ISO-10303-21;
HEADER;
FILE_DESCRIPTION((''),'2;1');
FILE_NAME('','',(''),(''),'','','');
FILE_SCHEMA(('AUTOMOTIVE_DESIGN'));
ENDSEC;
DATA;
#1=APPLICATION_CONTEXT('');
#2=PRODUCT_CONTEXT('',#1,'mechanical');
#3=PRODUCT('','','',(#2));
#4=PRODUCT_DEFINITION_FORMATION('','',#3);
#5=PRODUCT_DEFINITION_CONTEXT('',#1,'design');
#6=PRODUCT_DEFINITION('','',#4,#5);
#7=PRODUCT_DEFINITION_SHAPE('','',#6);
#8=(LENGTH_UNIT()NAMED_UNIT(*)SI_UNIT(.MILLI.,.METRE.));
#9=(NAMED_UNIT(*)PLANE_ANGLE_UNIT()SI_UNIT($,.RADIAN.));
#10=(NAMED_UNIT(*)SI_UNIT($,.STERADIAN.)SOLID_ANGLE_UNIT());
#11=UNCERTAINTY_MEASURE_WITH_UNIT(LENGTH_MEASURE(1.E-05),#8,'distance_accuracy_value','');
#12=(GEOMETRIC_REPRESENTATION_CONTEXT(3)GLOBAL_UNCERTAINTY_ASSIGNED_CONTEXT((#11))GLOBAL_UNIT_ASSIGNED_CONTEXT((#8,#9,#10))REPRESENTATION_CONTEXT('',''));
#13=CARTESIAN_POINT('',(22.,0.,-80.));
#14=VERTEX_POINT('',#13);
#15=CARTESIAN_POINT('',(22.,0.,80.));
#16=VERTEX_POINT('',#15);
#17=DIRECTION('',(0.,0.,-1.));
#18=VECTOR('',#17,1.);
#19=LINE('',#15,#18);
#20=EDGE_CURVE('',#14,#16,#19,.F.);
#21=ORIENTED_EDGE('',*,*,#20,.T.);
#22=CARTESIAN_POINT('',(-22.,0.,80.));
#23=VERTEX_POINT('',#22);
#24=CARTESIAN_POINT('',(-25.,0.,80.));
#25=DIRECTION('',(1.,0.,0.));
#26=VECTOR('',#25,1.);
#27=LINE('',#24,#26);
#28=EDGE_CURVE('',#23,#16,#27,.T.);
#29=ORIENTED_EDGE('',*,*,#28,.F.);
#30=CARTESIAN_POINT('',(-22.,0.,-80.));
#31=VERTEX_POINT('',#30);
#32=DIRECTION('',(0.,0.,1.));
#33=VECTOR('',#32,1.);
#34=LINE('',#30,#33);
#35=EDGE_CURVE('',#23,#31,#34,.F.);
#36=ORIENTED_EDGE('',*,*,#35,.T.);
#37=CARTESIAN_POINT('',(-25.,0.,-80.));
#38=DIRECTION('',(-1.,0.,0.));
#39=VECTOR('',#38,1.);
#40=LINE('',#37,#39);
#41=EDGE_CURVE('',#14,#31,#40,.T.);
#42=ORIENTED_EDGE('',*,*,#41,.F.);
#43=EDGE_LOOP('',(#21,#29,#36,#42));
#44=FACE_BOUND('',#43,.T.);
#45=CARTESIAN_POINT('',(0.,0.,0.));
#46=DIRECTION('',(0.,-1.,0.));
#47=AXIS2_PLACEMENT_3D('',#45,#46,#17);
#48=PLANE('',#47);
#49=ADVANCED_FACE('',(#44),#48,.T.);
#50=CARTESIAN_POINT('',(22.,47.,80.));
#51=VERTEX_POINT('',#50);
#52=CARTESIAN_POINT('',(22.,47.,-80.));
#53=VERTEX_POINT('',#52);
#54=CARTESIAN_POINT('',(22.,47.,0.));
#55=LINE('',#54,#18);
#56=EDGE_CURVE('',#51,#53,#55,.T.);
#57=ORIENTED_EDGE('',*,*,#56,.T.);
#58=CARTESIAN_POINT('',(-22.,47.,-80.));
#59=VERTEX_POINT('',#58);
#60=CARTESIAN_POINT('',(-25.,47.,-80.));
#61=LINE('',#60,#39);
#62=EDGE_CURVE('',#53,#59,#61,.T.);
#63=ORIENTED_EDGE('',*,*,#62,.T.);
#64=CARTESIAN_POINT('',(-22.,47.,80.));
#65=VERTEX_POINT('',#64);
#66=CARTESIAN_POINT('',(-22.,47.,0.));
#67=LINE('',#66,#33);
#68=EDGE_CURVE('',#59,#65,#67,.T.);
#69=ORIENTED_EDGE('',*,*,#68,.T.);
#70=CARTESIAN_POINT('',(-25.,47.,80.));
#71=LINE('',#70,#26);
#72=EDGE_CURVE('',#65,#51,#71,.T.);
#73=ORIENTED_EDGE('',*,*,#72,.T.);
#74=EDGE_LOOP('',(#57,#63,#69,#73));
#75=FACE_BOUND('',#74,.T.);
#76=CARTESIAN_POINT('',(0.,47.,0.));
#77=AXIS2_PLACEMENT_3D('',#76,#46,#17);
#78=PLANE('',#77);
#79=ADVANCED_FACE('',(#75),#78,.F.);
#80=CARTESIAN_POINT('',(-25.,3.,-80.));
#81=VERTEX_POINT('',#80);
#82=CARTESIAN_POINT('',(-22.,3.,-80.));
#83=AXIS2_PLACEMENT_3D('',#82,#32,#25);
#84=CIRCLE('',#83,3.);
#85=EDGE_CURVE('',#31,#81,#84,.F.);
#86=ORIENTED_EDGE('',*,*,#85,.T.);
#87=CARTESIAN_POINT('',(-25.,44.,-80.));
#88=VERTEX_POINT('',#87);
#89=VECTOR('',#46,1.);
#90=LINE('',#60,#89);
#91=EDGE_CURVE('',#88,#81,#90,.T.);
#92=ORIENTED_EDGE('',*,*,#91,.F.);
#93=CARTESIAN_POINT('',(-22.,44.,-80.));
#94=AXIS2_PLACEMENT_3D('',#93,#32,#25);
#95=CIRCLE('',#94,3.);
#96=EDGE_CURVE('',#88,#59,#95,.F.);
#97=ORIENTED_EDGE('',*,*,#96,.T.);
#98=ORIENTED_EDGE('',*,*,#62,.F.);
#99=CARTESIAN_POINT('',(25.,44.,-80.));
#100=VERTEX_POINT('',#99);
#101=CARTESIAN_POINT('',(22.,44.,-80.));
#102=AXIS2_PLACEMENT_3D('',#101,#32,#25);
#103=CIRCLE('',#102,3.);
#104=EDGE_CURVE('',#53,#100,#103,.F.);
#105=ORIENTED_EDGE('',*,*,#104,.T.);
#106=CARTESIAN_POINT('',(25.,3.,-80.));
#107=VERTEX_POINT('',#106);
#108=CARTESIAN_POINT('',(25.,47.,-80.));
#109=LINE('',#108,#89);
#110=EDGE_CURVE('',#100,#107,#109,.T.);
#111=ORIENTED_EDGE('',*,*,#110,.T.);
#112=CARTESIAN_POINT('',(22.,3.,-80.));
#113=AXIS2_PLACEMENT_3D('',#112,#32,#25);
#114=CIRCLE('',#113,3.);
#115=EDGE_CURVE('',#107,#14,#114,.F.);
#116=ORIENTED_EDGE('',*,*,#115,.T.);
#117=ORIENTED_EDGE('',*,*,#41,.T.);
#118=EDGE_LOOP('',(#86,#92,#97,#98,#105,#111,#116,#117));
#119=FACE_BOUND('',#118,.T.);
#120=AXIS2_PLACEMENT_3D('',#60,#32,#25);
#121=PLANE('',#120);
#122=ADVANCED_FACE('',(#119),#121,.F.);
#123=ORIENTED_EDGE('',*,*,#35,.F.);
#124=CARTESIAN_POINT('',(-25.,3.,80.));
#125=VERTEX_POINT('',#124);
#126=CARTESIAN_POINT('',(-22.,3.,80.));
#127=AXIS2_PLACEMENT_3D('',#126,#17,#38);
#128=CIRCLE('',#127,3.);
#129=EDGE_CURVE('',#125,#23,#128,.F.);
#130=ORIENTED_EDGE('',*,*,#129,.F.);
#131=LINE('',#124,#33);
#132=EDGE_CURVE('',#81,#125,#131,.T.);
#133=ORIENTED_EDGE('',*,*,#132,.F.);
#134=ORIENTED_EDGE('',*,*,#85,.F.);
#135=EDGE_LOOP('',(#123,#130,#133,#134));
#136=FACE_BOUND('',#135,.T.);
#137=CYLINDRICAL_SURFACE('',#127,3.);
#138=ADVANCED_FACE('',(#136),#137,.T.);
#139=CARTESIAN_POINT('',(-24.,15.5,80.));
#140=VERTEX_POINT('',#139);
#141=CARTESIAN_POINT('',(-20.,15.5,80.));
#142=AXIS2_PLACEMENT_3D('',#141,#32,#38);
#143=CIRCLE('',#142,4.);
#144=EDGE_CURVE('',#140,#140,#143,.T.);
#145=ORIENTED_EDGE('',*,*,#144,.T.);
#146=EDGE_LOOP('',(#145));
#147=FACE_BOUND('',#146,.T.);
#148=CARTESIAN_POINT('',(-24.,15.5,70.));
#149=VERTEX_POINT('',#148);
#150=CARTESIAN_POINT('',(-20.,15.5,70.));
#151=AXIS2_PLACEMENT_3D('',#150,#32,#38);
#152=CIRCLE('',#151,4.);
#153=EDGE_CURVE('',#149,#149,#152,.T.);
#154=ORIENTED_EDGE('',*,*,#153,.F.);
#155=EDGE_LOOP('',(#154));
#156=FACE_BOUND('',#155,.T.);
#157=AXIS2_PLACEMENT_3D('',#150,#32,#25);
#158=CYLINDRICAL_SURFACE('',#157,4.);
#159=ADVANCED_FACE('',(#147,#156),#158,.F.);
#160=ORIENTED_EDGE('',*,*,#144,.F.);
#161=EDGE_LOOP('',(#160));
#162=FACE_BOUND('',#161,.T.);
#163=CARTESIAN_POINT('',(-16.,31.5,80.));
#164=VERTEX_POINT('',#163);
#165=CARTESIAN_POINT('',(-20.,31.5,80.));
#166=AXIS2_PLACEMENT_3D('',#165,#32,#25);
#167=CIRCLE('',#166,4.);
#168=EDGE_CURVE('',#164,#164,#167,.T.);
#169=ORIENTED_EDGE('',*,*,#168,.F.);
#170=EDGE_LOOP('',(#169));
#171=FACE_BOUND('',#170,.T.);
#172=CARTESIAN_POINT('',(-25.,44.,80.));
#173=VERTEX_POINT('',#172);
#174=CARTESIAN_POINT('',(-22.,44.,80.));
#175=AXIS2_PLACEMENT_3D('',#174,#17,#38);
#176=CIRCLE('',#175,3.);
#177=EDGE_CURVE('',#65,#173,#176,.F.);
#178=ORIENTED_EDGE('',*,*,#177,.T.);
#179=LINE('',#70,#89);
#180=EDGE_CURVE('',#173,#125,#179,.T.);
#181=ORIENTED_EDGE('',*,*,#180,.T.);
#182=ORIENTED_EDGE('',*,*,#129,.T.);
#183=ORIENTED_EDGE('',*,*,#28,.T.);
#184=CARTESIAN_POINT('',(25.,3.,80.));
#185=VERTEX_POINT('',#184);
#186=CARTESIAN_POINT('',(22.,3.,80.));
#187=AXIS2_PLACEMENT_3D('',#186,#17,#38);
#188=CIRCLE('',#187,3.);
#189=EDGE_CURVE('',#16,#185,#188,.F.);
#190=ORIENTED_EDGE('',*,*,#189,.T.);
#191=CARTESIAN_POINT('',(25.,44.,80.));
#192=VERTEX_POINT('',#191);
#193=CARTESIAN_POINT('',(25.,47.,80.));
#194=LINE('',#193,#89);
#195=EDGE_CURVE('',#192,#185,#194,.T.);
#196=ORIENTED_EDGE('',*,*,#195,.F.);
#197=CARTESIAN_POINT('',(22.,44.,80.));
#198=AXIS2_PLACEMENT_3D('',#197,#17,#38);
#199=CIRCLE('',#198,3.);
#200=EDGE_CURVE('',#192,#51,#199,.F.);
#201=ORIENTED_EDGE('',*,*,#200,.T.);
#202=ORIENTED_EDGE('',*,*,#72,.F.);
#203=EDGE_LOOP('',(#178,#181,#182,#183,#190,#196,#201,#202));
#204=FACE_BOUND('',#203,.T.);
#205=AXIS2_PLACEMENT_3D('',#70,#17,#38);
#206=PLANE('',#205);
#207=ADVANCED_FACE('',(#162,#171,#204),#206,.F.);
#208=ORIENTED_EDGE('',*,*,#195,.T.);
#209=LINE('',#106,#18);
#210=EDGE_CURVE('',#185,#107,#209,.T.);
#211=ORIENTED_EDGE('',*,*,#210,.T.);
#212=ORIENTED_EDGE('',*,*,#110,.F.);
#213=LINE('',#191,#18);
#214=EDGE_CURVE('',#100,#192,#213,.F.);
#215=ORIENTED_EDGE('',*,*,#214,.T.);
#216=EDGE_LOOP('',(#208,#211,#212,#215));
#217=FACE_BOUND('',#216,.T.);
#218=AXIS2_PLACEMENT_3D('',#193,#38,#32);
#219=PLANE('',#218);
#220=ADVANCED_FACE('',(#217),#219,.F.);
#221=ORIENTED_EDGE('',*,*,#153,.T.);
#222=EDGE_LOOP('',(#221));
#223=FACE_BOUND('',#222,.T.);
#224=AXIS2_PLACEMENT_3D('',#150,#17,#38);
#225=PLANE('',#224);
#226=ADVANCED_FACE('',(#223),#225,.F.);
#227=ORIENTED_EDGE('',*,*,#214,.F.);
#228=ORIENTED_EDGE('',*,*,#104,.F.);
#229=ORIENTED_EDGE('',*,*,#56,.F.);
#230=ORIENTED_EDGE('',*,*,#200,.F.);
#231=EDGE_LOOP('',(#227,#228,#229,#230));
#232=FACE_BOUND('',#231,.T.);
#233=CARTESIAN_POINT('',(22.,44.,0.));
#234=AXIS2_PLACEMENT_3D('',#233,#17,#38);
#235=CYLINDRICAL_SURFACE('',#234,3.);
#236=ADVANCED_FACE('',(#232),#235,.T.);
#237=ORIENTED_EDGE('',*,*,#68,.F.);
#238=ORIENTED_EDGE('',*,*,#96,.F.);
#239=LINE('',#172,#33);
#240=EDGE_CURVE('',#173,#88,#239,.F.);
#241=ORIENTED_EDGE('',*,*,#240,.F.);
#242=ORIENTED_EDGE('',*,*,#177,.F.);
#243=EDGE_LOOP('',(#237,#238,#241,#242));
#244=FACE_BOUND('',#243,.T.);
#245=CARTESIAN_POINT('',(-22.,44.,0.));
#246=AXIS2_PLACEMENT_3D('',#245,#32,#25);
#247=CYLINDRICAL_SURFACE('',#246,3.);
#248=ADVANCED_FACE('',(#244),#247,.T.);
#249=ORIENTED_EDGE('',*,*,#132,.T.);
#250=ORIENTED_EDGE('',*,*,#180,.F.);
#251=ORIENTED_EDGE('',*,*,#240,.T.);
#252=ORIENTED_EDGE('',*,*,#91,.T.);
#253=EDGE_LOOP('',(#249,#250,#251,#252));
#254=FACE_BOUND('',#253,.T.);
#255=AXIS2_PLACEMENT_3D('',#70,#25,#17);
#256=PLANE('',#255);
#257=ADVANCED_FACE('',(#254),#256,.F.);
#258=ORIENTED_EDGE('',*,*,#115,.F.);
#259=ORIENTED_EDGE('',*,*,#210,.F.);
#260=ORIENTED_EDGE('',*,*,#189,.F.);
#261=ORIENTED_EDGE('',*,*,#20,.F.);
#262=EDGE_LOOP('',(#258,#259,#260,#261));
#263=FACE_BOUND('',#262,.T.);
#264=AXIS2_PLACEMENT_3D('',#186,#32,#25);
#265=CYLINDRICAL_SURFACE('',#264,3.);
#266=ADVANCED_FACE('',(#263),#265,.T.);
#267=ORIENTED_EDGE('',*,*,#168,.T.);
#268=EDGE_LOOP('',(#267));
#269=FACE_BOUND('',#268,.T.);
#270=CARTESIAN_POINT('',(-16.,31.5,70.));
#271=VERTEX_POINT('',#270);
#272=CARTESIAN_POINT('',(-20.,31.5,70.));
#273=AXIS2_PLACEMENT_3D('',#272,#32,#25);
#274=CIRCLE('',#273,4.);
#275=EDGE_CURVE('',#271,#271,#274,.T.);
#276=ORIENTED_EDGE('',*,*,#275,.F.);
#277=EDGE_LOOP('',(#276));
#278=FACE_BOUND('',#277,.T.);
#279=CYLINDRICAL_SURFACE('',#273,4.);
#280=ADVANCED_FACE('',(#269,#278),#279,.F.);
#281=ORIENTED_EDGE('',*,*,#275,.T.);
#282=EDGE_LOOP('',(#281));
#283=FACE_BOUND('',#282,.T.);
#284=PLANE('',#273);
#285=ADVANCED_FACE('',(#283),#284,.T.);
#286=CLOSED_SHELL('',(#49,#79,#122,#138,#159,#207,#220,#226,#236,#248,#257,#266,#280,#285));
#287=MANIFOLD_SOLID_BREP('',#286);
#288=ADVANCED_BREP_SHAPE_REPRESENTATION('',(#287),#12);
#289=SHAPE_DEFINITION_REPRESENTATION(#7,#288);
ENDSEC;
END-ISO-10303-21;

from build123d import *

# Parameters (mm, degrees)
SKETCH1_W           = 50
SKETCH1_H           = 160
BOSS_EXTRUDE1_DEPTH = 47
SKETCH2_R           = 4
CUT_EXTRUDE1_DEPTH  = 10
FILLET1_R           = 3


with BuildPart() as part:
    # Sketch1 → Boss-Extrude1 (new body)
    with BuildSketch(Plane(origin=(0, 0, 0), x_dir=(1, 0, 0), z_dir=(0, 1, 0))):
        Rectangle(SKETCH1_W, SKETCH1_H)
    extrude(amount=BOSS_EXTRUDE1_DEPTH)

    # Sketch2 → Cut-Extrude1 (cut)
    with BuildSketch(Plane.XY.offset(80)):
        with Locations((-20, 31.5)):
            Circle(SKETCH2_R)
        with Locations(Location((-20, 15.5, 0), (0, 0, 180))):
            Circle(SKETCH2_R)
    extrude(amount=-CUT_EXTRUDE1_DEPTH, mode=Mode.SUBTRACT)

    # Fillet1
    fillet1_edges = [part.edges().sort_by_distance(p)[0] for p in [
        (-25, 47, 0),
        (25, 47, 0),
        (-25, 0, 0),
        (25, 0, 0),
    ]]
    fillet(fillet1_edges, radius=FILLET1_R)


solid = part.part
